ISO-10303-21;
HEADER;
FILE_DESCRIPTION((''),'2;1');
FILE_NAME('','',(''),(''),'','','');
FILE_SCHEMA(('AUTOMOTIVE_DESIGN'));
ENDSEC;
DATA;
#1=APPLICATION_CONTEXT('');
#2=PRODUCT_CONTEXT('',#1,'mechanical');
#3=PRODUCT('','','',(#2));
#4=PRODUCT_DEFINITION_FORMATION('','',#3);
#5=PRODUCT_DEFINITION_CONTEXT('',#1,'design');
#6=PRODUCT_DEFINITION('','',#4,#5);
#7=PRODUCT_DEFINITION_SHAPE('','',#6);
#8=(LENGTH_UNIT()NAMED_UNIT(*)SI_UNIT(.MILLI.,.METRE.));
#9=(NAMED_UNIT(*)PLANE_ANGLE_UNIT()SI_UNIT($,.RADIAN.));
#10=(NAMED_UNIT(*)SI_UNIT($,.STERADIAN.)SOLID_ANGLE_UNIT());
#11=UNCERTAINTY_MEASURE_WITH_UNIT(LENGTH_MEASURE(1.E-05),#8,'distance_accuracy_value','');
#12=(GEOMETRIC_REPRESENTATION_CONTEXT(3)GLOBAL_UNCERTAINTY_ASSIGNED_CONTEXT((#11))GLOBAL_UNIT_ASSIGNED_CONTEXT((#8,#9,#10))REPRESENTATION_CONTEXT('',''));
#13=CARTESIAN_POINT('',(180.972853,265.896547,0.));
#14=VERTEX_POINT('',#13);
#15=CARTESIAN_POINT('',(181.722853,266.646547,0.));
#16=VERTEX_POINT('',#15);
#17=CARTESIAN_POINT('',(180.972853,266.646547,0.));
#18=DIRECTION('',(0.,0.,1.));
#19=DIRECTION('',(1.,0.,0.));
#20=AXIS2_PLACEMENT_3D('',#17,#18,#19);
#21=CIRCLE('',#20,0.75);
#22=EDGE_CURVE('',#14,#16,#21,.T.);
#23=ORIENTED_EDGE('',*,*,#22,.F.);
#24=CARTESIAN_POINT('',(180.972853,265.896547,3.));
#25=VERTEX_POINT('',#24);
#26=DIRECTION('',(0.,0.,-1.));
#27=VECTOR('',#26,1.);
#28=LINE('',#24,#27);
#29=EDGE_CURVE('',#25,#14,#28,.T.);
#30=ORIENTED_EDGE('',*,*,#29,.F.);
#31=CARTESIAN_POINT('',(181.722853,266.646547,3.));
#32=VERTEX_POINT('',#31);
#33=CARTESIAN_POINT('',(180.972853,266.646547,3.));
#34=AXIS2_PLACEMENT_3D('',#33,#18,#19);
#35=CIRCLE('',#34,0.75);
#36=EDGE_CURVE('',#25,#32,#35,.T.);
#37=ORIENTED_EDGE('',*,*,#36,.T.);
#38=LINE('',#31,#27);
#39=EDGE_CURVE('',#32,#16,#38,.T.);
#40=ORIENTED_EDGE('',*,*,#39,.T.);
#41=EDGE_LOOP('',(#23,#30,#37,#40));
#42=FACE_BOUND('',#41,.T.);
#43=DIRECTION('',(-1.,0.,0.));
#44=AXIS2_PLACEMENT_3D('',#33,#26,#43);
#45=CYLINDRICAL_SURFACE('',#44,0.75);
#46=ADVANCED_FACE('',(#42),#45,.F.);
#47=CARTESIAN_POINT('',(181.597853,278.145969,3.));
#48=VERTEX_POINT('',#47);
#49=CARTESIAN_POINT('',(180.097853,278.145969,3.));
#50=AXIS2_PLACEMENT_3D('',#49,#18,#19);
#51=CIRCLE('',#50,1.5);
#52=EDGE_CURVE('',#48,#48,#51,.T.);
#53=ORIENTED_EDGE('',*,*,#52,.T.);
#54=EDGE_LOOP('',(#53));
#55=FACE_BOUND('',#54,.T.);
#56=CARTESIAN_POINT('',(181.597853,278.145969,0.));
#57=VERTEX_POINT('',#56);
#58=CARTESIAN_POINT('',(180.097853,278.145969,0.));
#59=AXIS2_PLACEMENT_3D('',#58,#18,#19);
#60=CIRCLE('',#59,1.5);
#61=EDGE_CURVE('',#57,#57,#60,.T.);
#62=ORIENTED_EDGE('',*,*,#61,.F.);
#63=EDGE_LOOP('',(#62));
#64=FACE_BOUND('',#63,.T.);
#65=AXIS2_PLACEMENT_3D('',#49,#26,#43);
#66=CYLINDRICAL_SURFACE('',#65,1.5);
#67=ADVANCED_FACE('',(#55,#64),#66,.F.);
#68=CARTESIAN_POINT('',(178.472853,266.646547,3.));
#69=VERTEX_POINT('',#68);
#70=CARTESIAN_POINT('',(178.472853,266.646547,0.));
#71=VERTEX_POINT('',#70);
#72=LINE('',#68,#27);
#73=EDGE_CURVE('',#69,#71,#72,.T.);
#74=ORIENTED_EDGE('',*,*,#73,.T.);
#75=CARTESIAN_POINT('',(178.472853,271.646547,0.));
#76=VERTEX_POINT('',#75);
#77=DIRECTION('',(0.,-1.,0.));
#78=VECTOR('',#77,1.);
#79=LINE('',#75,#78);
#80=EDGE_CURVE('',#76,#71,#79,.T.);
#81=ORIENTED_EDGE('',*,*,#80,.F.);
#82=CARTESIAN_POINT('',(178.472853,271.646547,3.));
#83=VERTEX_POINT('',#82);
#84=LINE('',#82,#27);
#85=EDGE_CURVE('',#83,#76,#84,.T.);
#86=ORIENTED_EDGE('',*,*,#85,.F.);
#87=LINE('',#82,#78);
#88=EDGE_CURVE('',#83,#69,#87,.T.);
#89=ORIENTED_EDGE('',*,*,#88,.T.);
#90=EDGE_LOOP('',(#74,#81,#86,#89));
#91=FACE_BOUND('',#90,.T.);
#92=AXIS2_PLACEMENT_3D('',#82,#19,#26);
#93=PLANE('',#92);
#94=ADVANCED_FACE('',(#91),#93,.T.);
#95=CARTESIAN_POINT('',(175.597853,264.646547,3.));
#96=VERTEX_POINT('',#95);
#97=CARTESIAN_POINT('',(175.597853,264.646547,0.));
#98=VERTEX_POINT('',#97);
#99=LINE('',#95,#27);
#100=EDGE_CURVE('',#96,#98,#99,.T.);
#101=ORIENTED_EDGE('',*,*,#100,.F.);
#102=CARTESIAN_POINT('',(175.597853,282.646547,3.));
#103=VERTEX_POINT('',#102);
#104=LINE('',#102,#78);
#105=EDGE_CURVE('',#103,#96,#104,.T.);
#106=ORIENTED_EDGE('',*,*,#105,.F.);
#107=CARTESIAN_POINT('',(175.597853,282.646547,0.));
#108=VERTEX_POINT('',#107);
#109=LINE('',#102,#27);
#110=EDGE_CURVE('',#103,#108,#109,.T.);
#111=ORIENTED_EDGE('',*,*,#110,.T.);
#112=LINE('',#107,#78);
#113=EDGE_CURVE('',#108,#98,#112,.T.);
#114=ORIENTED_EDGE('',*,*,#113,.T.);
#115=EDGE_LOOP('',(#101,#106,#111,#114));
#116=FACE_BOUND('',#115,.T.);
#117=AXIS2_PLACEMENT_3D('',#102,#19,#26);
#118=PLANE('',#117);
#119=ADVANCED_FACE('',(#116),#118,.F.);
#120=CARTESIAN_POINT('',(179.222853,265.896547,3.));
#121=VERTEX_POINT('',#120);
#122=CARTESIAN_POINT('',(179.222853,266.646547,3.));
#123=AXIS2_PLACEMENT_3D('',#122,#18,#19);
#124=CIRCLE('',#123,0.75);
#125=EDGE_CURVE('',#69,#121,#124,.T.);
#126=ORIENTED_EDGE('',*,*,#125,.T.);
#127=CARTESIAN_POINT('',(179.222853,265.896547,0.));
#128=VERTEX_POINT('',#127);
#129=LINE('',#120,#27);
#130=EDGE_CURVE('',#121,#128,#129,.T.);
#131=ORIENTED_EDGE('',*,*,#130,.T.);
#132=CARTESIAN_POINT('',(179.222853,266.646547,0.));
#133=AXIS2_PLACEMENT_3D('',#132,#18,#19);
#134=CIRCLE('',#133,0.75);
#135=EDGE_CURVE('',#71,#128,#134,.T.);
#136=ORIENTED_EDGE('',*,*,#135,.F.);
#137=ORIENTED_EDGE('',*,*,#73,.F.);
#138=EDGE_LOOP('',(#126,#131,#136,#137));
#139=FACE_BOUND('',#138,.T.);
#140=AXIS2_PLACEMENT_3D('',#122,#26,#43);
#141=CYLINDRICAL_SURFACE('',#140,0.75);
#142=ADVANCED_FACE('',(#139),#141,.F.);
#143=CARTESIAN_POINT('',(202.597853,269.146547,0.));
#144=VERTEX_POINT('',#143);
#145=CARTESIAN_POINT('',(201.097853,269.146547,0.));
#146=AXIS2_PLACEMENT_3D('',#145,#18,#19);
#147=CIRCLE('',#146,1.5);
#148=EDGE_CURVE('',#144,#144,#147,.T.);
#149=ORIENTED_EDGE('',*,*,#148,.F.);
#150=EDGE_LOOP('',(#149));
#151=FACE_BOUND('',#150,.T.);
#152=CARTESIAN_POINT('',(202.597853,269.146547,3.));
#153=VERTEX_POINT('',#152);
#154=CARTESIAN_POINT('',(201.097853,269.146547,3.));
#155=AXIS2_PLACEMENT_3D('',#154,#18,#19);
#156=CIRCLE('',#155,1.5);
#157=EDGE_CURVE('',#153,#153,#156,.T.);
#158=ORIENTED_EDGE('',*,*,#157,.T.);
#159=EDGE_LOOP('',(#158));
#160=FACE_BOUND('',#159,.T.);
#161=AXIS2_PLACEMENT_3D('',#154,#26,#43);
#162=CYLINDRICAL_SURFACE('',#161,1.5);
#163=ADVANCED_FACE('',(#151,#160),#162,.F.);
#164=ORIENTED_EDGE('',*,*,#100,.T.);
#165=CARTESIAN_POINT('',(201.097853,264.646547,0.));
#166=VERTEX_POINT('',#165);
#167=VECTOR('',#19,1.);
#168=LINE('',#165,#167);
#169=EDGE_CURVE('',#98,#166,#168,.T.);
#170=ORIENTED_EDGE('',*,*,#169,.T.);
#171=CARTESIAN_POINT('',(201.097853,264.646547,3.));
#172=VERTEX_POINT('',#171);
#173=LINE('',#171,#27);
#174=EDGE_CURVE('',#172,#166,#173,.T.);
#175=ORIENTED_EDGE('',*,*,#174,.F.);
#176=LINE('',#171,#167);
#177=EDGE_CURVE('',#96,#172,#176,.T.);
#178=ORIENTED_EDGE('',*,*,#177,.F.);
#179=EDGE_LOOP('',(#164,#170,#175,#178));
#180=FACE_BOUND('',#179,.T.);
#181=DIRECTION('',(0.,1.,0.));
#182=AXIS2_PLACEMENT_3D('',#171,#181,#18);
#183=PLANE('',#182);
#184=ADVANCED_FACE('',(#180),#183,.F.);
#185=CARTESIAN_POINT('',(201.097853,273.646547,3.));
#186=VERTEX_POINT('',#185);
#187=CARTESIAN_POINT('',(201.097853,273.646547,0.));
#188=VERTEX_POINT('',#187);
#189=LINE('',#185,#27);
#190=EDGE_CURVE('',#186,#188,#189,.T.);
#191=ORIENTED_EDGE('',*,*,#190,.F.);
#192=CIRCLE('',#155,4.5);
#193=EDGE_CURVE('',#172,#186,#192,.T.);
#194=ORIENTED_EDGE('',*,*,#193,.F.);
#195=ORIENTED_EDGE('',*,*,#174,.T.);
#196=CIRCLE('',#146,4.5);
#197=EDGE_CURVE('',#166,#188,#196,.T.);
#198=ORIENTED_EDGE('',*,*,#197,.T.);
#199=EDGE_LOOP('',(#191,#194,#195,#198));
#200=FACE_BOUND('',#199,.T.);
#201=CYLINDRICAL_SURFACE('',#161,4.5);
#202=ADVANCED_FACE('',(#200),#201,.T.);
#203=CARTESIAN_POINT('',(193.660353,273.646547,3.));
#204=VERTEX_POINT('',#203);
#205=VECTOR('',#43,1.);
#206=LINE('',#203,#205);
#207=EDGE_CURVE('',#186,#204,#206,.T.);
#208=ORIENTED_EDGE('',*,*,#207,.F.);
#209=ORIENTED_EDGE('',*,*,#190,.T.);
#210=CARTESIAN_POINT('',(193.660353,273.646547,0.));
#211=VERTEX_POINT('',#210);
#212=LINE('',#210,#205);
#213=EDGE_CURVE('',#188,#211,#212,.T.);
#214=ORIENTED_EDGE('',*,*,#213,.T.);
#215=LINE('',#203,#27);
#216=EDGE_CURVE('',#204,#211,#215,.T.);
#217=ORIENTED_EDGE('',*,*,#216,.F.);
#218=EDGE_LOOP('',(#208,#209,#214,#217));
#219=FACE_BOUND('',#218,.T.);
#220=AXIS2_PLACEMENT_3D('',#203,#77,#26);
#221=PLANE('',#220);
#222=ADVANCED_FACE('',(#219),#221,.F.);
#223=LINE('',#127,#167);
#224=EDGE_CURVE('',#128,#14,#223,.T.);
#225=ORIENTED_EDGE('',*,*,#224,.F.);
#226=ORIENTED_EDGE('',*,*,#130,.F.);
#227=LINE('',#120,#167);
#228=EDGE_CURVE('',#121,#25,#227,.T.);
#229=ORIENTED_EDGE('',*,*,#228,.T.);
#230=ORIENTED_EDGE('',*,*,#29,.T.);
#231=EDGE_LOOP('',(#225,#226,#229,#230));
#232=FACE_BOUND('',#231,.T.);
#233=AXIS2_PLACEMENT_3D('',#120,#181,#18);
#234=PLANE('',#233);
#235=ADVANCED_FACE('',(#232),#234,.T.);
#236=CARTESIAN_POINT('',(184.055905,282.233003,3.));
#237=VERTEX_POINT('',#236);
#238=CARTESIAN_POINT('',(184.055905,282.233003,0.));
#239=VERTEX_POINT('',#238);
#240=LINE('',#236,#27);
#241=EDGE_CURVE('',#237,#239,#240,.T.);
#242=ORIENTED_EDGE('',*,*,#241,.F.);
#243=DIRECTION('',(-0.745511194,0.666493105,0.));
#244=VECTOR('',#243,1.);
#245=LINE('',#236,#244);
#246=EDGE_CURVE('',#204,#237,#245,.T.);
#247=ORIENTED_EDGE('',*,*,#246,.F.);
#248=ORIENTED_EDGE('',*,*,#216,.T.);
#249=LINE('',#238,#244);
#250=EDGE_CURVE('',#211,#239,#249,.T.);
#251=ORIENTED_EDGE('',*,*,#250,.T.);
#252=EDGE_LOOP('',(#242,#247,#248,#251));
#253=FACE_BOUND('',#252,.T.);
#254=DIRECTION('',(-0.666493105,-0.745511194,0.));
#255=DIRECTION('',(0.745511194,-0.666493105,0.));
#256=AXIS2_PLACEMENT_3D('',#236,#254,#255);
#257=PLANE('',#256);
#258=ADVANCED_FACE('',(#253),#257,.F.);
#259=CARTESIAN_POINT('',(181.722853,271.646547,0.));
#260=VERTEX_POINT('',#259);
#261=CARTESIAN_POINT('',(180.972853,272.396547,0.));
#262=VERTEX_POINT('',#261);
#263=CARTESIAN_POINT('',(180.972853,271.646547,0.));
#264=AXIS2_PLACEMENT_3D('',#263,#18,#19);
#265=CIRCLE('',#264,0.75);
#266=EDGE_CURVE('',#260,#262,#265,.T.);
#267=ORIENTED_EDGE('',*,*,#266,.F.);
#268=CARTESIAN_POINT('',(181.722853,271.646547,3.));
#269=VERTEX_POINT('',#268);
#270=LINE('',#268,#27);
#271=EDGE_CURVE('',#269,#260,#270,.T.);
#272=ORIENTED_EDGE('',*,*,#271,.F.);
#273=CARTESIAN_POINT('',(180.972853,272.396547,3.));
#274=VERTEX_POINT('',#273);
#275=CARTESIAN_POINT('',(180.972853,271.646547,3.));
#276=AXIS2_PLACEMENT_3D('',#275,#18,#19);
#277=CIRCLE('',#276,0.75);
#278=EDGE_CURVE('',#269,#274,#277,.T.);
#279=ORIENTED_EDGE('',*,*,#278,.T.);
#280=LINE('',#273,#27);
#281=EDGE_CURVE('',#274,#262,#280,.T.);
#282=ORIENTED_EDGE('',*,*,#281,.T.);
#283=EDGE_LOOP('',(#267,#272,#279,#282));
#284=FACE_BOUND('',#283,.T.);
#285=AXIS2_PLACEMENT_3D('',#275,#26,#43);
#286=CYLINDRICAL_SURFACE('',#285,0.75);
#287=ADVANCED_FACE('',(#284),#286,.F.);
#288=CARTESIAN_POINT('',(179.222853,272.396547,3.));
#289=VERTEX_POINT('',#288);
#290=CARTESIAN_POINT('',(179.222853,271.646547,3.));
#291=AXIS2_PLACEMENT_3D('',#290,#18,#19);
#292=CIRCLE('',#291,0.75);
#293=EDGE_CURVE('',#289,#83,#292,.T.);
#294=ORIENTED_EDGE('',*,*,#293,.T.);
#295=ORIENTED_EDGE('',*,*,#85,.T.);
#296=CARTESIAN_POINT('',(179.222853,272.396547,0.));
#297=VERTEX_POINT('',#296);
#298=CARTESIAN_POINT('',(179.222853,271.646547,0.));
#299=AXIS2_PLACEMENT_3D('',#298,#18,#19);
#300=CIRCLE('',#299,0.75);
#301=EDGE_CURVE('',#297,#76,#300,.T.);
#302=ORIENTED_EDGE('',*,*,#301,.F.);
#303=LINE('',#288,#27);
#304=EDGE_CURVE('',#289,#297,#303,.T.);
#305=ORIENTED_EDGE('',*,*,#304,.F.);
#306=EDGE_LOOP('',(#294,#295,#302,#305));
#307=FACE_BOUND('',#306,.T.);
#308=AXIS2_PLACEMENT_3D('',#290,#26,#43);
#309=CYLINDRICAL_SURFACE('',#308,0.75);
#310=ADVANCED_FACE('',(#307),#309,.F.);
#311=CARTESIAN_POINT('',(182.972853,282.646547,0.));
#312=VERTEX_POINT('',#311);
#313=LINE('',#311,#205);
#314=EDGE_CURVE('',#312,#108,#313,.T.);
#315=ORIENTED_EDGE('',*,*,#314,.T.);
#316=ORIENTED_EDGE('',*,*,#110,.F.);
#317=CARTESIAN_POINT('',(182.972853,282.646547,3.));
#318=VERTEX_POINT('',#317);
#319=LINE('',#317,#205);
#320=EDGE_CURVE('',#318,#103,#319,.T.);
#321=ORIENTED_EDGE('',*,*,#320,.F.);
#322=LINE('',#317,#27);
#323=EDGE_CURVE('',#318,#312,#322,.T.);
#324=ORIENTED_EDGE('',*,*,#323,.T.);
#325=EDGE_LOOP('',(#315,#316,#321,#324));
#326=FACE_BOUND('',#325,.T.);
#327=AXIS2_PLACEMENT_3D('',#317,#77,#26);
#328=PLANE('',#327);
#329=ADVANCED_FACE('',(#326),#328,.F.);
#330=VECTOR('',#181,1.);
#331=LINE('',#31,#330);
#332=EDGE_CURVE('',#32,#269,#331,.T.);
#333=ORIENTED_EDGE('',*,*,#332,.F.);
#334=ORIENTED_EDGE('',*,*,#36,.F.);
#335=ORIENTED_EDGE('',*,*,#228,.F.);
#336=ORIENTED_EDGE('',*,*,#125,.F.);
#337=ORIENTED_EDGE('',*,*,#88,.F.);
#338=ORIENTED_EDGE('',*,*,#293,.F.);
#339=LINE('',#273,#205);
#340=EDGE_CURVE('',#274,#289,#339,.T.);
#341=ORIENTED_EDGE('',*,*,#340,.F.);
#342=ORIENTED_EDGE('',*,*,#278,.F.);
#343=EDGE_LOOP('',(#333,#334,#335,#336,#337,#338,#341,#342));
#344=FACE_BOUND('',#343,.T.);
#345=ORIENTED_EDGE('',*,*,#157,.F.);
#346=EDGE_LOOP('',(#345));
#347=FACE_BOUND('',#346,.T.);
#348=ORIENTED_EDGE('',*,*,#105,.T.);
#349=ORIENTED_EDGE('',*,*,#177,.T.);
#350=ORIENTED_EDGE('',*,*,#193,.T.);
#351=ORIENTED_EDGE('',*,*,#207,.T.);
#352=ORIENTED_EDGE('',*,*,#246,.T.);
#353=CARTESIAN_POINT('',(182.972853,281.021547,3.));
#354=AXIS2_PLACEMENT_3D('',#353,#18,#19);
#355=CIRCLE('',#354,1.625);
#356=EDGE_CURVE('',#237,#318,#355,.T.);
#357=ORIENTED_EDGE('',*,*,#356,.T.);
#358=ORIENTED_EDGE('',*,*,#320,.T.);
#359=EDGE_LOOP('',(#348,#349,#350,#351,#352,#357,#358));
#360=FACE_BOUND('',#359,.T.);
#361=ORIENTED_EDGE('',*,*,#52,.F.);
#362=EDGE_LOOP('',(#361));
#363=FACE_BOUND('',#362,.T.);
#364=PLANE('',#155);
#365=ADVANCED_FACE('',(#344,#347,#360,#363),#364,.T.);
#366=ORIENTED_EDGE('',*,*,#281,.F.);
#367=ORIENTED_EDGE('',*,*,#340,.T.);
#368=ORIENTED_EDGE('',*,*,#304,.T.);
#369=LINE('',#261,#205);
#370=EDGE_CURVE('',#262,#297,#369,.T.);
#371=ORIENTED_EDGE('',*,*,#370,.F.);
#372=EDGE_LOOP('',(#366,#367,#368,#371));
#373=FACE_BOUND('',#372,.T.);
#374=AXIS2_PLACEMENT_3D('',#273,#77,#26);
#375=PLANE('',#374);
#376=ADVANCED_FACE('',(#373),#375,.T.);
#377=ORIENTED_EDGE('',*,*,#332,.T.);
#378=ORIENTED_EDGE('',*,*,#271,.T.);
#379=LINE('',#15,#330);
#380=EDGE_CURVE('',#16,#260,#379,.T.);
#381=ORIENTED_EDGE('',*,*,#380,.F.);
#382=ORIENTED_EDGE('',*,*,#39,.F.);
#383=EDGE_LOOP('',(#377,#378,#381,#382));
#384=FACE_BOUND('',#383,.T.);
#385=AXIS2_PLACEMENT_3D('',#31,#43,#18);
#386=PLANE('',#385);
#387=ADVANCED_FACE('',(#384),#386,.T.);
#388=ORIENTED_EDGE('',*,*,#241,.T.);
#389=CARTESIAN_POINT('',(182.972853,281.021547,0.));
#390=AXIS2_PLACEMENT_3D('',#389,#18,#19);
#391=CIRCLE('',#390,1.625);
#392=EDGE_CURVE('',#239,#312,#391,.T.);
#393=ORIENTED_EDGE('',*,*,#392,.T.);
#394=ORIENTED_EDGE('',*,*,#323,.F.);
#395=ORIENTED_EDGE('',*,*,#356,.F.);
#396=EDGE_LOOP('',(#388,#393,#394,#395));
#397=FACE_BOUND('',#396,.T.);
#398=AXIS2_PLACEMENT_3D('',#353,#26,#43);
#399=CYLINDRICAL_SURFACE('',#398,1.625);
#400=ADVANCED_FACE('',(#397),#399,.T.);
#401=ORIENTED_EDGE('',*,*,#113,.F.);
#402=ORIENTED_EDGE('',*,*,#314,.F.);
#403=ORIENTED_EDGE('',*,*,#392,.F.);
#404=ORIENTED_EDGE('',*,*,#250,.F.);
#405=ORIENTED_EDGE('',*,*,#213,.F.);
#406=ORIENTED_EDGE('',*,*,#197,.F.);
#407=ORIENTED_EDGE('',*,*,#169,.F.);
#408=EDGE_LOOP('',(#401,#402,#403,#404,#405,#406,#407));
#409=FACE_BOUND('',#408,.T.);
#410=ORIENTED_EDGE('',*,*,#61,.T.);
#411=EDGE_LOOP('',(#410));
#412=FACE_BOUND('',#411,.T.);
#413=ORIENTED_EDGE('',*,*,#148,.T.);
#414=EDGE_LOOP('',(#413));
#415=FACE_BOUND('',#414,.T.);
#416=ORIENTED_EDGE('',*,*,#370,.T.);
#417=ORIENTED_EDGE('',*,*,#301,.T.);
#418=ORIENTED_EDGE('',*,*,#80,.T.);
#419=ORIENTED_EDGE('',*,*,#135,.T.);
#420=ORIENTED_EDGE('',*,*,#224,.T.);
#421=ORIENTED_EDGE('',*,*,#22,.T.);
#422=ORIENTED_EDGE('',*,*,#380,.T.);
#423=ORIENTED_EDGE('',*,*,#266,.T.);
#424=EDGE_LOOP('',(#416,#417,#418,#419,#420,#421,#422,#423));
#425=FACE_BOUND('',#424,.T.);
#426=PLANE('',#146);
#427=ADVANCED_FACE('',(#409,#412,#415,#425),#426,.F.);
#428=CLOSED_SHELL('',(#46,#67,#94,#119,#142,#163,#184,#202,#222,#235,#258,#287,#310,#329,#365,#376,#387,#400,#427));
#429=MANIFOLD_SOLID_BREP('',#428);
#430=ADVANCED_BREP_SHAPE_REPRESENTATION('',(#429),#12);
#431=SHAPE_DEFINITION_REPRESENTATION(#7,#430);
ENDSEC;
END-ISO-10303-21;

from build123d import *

# Parameters (mm, degrees)
MODEL_R                 = 1.5
SALIENTE_EXTRUIR1_DEPTH = 3


with BuildPart() as part:
    # Model → Saliente-Extruir1 (new body)
    with BuildSketch(Plane.XY):
        with BuildLine():
            Line((182.972853309, 282.646547335), (175.597853309, 282.646547335))
            Line((175.597853309, 282.646547335), (175.597853309, 264.646547335))
            Line((175.597853309, 264.646547335), (201.097853309, 264.646547335))
            ThreePointArc((201.097853309, 264.646547335), (205.597853309, 269.146547335), (201.097853309, 273.646547335))
            Line((201.097853309, 273.646547335), (193.660353309, 273.646547335))
            Line((193.660353309, 273.646547335), (184.055904605, 282.233003026))
            ThreePointArc((184.055904605, 282.233003026), (183.552512477, 282.539644911), (182.972853309, 282.646547335))
        make_face()
        with Locations((201.097853309, 269.146547335)):
            Circle(MODEL_R, mode=Mode.SUBTRACT)
        with Locations((180.097853309, 278.145968764)):
            Circle(MODEL_R, mode=Mode.SUBTRACT)
        with BuildLine():
            Line((179.222853309, 265.896547335), (180.972853309, 265.896547335))
            ThreePointArc((180.972853309, 265.896547335), (181.503183395, 266.116217249), (181.722853309, 266.646547335))
            Line((181.722853309, 266.646547335), (181.722853309, 271.646547335))
            ThreePointArc((181.722853309, 271.646547335), (181.503183395, 272.176877421), (180.972853309, 272.396547335))
            Line((180.972853309, 272.396547335), (179.222853309, 272.396547335))
            ThreePointArc((179.222853309, 272.396547335), (178.692523223, 272.176877421), (178.472853309, 271.646547335))
            Line((178.472853309, 271.646547335), (178.472853309, 266.646547335))
            ThreePointArc((178.472853309, 266.646547335), (178.692523223, 266.116217249), (179.222853309, 265.896547335))
        make_face(mode=Mode.SUBTRACT)
    extrude(amount=SALIENTE_EXTRUIR1_DEPTH)


solid = part.part
